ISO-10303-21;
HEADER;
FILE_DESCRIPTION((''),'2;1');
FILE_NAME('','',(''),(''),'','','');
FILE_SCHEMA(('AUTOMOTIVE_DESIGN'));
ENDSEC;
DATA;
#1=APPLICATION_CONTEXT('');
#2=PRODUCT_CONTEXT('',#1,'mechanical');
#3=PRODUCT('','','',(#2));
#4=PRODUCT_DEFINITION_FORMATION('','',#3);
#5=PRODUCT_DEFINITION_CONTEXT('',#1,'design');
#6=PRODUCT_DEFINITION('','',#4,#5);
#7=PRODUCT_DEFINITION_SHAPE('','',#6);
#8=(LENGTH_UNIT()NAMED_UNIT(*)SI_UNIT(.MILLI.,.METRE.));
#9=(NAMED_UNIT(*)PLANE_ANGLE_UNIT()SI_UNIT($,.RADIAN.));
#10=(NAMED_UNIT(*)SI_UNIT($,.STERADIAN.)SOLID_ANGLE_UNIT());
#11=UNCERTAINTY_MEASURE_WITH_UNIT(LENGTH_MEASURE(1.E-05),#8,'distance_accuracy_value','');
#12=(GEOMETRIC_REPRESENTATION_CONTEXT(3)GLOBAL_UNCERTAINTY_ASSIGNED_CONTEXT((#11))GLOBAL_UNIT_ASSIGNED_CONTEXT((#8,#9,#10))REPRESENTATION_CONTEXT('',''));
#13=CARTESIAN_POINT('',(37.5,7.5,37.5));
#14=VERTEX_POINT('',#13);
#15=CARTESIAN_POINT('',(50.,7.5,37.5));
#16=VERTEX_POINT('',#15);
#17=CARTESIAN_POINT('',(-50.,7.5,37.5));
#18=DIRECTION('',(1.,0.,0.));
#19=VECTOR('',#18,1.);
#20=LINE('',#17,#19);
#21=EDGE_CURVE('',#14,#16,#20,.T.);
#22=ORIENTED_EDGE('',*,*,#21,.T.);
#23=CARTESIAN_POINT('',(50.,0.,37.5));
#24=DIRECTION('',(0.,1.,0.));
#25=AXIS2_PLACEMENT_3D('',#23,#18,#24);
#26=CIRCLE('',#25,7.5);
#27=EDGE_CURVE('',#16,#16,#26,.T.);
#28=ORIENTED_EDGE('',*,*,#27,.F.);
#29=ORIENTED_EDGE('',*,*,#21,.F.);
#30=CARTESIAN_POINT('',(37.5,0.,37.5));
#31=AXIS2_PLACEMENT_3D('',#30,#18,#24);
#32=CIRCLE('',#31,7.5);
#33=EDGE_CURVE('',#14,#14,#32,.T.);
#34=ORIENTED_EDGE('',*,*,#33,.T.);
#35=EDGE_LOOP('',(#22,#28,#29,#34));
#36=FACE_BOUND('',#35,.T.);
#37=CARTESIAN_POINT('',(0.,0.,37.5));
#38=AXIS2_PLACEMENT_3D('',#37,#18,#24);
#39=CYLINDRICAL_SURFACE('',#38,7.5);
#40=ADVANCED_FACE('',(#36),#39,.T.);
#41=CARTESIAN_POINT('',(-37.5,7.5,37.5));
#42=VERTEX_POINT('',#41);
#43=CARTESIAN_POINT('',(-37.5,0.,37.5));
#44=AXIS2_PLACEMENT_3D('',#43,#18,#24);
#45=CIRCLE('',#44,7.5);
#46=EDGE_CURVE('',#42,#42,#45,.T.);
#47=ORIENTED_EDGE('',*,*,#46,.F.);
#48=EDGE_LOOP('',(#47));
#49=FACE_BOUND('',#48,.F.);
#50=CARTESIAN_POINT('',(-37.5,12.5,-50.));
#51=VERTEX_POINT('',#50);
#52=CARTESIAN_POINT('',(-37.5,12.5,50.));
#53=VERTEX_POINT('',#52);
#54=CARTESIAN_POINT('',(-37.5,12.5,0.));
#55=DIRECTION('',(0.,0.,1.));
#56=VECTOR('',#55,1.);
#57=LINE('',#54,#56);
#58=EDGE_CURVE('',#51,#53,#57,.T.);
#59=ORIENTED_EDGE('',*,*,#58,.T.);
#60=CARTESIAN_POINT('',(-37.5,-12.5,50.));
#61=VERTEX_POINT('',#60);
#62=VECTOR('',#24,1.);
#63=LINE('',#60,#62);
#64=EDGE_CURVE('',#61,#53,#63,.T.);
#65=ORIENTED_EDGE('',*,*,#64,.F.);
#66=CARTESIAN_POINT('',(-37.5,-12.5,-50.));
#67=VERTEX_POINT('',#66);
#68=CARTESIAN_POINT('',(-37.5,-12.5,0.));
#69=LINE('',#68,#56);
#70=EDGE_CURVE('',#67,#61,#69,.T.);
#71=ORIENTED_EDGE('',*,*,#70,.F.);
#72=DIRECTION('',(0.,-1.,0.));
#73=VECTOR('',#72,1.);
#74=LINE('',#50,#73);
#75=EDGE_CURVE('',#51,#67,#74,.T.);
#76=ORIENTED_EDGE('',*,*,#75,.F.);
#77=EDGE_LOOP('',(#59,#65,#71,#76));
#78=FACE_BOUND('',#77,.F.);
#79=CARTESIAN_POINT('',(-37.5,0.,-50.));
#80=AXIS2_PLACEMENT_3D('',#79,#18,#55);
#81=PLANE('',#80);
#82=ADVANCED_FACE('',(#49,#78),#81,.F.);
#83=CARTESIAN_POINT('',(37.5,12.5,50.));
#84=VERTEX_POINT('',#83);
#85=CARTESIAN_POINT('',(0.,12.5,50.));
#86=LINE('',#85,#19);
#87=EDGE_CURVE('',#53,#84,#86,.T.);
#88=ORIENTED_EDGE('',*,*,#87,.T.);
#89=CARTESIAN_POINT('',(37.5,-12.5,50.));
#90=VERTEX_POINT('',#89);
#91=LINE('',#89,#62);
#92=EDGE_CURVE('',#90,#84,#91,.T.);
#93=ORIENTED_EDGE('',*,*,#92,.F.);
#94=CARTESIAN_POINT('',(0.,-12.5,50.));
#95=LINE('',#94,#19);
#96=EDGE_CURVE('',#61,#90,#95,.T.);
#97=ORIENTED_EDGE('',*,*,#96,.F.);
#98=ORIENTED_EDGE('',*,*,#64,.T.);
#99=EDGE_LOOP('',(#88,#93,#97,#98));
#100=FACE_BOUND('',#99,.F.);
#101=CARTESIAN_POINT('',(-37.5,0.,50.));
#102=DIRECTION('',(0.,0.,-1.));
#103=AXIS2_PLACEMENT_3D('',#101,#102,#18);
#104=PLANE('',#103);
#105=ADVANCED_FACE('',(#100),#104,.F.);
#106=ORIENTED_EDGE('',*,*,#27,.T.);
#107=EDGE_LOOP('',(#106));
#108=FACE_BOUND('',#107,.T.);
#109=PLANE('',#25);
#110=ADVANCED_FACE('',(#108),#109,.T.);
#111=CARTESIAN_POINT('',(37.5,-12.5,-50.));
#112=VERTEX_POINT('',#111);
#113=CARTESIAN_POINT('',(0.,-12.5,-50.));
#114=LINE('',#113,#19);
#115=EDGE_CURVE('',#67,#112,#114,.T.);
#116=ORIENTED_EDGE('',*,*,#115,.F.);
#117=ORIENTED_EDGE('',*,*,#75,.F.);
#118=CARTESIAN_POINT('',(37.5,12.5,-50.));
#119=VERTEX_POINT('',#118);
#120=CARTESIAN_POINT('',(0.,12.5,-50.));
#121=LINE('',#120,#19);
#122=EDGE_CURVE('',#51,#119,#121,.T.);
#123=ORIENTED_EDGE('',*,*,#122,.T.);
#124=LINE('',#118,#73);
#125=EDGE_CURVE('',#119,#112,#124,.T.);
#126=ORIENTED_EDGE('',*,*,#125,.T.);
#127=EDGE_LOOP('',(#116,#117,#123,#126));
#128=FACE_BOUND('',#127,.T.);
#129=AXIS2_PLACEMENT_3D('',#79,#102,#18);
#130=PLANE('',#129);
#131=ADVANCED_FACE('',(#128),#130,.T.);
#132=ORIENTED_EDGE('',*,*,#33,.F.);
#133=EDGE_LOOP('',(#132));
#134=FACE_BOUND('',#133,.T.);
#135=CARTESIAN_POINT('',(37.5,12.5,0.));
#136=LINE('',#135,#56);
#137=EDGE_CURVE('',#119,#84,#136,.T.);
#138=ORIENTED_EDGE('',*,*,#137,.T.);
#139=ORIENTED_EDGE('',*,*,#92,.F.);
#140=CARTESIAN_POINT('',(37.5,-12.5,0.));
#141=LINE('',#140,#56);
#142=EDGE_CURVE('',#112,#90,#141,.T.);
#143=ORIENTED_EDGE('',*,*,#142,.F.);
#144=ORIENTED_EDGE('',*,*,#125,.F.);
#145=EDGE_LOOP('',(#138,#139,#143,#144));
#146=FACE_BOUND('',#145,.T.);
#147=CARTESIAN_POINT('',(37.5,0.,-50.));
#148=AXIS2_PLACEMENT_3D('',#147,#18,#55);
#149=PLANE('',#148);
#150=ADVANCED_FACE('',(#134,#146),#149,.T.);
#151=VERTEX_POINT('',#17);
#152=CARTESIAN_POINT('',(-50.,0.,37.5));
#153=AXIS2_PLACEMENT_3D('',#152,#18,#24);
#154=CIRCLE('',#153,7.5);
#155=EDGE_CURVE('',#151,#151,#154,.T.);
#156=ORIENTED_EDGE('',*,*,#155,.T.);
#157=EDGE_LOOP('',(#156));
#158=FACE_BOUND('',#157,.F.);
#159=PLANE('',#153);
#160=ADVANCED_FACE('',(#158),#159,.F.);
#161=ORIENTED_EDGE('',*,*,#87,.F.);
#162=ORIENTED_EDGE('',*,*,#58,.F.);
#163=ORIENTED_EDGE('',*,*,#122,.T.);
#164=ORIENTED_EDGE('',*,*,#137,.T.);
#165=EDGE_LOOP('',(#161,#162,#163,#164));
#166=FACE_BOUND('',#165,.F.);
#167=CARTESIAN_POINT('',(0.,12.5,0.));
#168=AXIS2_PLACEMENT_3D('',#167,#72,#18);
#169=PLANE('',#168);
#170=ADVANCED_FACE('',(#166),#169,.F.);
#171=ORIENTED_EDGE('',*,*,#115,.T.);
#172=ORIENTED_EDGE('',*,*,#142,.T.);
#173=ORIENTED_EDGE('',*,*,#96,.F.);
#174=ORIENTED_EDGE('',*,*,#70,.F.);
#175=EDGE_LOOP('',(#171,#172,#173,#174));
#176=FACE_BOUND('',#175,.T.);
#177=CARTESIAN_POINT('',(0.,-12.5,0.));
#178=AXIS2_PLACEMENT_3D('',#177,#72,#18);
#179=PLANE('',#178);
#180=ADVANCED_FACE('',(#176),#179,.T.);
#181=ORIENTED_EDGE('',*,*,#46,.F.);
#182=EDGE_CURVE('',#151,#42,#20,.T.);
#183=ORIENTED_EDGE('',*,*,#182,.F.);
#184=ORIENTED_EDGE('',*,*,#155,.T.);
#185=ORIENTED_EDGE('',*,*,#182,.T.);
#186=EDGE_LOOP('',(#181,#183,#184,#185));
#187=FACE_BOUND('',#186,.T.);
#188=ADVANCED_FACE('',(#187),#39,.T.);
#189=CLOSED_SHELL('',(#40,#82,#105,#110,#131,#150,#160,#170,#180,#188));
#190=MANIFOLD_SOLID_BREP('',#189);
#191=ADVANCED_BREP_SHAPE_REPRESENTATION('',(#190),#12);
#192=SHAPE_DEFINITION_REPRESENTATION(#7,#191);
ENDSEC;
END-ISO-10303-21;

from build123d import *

# Parameters (mm, degrees)
F0_W     = 75
F0_H     = 100
F1_DEPTH = 12.5
F2_R     = 7.5
F3_DEPTH = 50


with BuildPart() as f1:
    # F0 (on Front) → F1 (new body, symmetric)
    with BuildSketch(Plane.XZ):
        Rectangle(F0_W, F0_H)
    extrude(amount=F1_DEPTH, both=True)

    # F2 (on Right) → F3 (join, symmetric)
    with BuildSketch(Plane.YZ):
        with Locations((0, 37.5)):
            Circle(F2_R)
    extrude(amount=F3_DEPTH, both=True)


solid = f1.part
